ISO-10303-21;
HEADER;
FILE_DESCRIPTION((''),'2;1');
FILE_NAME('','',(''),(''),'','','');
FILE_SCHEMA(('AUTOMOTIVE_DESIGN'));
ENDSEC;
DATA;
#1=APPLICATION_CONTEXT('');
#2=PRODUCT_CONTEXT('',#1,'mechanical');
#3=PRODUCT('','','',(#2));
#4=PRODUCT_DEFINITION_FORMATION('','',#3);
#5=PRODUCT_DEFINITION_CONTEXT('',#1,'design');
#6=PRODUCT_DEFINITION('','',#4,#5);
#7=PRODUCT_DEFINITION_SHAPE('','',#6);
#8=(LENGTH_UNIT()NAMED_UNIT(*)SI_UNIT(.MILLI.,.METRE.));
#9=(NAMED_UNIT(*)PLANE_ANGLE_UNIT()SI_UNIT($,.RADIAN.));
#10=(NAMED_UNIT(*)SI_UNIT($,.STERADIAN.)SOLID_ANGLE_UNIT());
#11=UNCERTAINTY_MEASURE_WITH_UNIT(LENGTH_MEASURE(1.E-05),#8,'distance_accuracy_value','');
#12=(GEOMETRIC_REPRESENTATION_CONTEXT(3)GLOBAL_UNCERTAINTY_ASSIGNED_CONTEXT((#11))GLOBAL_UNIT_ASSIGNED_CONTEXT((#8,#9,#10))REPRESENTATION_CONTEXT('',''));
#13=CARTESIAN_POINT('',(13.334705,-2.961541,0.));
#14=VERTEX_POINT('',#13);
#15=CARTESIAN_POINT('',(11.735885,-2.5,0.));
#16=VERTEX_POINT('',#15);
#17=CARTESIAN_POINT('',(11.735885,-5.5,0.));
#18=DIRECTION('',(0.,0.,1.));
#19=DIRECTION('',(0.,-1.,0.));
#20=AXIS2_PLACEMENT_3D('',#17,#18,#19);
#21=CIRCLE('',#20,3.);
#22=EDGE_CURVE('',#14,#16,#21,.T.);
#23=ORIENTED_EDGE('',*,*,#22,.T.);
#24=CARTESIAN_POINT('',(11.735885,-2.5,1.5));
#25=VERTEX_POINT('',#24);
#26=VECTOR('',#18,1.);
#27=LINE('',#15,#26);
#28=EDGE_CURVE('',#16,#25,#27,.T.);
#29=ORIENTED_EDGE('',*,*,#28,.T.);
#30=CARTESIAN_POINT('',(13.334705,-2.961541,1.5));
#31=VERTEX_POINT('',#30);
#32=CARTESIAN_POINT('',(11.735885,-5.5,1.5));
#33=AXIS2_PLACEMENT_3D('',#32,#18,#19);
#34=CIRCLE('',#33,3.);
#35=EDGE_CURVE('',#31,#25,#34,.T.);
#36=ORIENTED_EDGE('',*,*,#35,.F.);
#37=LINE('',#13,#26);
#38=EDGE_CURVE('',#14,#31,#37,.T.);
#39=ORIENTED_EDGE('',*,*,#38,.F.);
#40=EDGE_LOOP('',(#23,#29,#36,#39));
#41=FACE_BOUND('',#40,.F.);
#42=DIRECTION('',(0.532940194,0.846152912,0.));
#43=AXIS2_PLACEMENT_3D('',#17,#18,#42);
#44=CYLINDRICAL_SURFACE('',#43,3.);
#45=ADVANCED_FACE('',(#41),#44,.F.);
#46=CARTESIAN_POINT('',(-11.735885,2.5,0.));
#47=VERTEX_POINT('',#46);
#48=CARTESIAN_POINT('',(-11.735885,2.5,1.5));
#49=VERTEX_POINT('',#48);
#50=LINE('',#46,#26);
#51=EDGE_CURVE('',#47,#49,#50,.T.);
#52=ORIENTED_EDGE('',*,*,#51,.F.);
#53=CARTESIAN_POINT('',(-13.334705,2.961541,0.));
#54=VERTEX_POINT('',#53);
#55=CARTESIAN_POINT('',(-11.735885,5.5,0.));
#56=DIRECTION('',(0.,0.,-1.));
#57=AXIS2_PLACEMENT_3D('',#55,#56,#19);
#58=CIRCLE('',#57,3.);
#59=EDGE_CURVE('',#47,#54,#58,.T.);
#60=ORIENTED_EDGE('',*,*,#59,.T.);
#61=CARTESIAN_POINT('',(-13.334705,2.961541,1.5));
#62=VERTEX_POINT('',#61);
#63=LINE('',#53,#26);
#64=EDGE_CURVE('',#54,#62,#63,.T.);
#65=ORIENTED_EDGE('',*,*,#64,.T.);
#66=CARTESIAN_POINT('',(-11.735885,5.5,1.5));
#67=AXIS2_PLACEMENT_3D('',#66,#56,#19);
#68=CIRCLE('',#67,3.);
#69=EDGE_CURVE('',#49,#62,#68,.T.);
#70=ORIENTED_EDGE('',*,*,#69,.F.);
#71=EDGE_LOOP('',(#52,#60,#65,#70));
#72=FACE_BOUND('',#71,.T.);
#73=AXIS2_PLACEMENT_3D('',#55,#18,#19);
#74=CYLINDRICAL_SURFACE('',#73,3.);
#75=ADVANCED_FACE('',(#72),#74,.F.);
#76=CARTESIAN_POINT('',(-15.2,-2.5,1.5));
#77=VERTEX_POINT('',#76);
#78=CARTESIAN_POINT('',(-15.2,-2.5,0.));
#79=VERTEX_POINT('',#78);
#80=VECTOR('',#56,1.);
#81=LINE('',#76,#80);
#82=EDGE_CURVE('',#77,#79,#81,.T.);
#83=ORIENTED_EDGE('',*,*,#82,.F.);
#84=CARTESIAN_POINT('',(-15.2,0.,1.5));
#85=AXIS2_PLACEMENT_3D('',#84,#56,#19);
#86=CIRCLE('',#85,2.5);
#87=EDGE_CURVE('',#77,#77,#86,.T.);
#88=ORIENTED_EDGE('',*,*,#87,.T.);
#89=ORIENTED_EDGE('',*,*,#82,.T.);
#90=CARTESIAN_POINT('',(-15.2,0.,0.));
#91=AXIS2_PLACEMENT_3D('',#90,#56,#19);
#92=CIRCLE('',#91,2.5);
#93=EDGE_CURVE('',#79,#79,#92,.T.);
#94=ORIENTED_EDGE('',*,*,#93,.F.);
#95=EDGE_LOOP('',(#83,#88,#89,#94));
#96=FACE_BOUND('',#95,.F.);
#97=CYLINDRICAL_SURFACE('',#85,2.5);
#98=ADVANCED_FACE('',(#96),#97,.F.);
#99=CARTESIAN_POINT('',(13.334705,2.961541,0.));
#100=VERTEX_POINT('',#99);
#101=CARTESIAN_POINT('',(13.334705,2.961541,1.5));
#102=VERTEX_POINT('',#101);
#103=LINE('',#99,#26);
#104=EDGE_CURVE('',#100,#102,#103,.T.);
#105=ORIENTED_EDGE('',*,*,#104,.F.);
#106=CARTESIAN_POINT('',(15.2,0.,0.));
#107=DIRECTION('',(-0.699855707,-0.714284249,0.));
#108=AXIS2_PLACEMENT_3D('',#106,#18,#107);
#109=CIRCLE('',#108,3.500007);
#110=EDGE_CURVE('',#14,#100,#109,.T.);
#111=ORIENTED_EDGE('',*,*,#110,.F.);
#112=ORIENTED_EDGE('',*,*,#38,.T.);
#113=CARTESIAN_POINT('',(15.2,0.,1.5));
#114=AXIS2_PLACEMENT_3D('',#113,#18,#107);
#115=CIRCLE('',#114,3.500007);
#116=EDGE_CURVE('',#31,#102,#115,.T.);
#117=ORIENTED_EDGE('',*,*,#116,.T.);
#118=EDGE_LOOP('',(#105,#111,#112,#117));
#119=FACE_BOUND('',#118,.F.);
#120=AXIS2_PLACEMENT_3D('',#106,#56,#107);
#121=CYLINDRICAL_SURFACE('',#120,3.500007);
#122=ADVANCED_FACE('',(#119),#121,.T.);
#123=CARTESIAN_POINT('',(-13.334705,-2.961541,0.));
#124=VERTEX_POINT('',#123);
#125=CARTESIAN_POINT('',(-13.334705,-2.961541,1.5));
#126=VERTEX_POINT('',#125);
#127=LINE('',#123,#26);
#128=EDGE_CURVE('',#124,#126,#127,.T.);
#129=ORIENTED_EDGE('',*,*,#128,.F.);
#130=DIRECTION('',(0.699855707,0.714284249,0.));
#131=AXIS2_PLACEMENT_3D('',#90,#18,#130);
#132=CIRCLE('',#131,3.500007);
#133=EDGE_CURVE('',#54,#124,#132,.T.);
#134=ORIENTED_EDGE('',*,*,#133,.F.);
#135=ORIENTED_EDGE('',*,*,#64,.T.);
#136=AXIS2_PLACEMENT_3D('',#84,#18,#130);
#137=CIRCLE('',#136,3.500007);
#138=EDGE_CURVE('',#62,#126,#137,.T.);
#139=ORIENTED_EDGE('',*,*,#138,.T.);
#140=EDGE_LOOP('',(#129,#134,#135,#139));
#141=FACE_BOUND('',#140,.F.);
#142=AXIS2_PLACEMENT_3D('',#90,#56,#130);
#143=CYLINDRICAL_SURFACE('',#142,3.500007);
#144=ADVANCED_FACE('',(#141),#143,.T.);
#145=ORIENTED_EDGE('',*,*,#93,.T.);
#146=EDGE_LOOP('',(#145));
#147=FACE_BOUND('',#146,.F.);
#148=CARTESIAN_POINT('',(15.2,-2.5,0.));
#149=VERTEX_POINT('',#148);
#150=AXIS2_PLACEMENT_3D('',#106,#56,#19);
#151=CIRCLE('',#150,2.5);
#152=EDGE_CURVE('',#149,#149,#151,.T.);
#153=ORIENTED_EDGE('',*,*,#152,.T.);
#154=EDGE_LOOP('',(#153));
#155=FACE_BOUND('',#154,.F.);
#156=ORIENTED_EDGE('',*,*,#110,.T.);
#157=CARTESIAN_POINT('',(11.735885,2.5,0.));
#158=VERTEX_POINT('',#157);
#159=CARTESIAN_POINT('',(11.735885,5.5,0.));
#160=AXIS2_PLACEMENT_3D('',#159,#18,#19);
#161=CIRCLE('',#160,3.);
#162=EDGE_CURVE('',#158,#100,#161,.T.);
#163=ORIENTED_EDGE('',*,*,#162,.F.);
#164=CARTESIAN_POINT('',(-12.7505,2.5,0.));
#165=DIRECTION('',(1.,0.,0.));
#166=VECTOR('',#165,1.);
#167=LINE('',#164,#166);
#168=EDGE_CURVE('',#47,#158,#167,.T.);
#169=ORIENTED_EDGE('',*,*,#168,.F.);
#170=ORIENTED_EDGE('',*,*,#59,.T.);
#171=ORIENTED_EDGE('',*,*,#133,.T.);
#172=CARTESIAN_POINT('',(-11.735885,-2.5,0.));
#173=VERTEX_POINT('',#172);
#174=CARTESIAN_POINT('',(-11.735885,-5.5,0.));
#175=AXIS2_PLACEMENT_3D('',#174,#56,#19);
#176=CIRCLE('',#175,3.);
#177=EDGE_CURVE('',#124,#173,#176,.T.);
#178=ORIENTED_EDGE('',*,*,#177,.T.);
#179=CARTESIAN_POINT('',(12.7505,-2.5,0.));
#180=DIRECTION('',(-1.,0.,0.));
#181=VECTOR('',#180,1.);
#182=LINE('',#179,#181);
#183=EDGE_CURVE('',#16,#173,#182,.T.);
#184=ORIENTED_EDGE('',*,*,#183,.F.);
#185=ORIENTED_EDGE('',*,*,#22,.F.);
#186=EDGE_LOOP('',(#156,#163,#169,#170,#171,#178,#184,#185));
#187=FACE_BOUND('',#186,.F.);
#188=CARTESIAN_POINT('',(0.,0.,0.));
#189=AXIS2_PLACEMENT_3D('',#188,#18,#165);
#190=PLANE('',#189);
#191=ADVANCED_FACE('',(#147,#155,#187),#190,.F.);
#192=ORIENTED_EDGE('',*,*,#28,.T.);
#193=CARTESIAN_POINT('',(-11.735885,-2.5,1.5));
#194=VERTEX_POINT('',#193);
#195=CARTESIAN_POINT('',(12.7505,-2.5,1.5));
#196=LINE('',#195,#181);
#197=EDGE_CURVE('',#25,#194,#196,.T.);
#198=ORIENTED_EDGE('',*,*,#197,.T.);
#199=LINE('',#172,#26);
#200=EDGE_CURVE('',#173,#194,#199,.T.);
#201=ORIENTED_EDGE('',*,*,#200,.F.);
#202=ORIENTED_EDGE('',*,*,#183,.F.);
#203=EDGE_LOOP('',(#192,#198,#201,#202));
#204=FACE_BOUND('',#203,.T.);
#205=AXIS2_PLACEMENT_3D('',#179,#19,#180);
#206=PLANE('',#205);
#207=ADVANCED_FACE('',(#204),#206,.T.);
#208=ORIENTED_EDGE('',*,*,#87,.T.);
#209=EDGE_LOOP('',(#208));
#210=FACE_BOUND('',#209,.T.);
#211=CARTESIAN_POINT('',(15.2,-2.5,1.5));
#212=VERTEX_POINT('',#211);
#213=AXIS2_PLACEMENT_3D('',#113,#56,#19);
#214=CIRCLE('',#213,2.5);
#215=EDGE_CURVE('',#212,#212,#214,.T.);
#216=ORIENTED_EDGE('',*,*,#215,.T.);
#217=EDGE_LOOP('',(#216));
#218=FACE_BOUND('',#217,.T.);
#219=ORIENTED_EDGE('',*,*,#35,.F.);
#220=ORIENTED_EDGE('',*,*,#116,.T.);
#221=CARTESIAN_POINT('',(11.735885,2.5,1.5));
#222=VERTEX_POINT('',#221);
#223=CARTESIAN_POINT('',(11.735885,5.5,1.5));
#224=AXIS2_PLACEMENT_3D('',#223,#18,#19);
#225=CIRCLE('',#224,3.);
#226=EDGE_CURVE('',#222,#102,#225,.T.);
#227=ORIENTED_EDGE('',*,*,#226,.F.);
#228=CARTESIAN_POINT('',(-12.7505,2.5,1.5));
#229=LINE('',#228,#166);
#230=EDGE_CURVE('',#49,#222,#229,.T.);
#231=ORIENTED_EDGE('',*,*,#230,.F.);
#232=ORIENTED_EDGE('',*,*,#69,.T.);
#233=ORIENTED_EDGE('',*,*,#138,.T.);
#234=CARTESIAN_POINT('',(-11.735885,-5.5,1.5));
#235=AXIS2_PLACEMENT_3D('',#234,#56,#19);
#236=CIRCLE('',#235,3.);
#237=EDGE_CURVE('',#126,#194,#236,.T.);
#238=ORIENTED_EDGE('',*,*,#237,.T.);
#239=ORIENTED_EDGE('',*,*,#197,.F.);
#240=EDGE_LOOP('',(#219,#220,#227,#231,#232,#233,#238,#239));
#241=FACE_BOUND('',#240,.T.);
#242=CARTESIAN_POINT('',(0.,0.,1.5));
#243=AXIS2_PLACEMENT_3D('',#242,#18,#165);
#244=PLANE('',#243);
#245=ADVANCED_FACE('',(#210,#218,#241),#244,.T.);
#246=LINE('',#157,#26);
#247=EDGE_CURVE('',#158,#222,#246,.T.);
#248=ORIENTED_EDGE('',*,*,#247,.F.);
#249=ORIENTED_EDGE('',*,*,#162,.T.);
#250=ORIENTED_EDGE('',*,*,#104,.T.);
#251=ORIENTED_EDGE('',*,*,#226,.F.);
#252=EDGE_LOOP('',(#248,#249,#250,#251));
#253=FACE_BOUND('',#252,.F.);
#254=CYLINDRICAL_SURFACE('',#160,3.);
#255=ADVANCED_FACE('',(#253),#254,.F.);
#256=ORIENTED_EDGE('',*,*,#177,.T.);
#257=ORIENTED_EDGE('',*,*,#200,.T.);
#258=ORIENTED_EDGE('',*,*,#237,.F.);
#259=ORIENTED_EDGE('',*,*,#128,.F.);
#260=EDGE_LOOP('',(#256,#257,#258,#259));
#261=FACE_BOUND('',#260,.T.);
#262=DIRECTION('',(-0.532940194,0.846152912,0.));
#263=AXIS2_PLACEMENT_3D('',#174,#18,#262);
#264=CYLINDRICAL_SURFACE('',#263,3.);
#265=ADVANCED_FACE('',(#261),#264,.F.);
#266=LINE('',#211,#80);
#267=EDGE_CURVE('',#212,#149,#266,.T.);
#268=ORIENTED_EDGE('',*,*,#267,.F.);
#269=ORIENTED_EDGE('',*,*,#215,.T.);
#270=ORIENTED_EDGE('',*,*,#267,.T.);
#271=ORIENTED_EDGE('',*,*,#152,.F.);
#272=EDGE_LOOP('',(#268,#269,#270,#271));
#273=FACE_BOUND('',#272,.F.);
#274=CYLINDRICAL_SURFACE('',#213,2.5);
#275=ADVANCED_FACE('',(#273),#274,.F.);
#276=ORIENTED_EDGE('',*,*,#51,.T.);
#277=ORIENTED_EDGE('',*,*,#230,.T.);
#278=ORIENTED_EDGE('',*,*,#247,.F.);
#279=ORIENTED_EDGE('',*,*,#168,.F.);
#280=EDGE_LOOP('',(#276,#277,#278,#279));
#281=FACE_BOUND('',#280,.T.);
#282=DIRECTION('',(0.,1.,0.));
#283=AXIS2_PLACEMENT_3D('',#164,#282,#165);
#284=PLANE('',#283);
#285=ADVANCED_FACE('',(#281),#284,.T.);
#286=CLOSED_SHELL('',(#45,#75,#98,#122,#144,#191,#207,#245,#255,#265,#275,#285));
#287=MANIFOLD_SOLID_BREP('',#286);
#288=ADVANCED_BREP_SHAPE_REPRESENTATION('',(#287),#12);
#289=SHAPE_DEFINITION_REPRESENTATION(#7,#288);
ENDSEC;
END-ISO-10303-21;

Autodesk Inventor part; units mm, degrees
ref_plane "YZ Plane" through (0, 0, 0) normal (1, 0, 0) x (0, 1, 0)
ref_plane "XZ Plane" through (0, 0, 0) normal (0, 1, 0) x (-1, 0, 0)
ref_plane "XY Plane" through (0, 0, 0) normal (0, 0, 1) x (1, 0, 0)
sketch "Sketch1" plane through (0, 0, 0) normal (0, 0, 1) x (1, 0, 0)
  line L0 (-15.2, 0) -> (15.2, 0) construction
  arc A0 (-12.7505, 2.5) -> (-12.7505, -2.5) centre (-15.2, 0) ccw
  arc A1 (12.7505, -2.5) -> (12.7505, 2.5) centre (15.2, 0) ccw
  line L1 (-12.7505, 2.5) -> (12.7505, 2.5)
  line L2 (12.7505, -2.5) -> (-12.7505, -2.5)
  point P0 (0, 0)
  point P1 (0, 0)
  dimension "d0" = 3.5
  dimension "d1" = 30.4
  dimension "d26" = 3.5
  dimension "d27" = 5
extrude "Extrusion1" add sketch "Sketch1" along normal blind 1.5
hole "Hole1" at (-15.2, 0, 1.5) direction (0, 0, -1) diameter 5 end through all
hole "Hole2" at (15.2, 0, 1.5) direction (0, 0, -1) diameter 5 end through all
fillet "Fillet1" radius 3 4 edges at (-12.7505, -2.5, 0.75) (12.7505, -2.5, 0.75) (12.7505, 2.5, 0.75) (-12.7505, 2.5, 0.75)
properties part number "tendon"
